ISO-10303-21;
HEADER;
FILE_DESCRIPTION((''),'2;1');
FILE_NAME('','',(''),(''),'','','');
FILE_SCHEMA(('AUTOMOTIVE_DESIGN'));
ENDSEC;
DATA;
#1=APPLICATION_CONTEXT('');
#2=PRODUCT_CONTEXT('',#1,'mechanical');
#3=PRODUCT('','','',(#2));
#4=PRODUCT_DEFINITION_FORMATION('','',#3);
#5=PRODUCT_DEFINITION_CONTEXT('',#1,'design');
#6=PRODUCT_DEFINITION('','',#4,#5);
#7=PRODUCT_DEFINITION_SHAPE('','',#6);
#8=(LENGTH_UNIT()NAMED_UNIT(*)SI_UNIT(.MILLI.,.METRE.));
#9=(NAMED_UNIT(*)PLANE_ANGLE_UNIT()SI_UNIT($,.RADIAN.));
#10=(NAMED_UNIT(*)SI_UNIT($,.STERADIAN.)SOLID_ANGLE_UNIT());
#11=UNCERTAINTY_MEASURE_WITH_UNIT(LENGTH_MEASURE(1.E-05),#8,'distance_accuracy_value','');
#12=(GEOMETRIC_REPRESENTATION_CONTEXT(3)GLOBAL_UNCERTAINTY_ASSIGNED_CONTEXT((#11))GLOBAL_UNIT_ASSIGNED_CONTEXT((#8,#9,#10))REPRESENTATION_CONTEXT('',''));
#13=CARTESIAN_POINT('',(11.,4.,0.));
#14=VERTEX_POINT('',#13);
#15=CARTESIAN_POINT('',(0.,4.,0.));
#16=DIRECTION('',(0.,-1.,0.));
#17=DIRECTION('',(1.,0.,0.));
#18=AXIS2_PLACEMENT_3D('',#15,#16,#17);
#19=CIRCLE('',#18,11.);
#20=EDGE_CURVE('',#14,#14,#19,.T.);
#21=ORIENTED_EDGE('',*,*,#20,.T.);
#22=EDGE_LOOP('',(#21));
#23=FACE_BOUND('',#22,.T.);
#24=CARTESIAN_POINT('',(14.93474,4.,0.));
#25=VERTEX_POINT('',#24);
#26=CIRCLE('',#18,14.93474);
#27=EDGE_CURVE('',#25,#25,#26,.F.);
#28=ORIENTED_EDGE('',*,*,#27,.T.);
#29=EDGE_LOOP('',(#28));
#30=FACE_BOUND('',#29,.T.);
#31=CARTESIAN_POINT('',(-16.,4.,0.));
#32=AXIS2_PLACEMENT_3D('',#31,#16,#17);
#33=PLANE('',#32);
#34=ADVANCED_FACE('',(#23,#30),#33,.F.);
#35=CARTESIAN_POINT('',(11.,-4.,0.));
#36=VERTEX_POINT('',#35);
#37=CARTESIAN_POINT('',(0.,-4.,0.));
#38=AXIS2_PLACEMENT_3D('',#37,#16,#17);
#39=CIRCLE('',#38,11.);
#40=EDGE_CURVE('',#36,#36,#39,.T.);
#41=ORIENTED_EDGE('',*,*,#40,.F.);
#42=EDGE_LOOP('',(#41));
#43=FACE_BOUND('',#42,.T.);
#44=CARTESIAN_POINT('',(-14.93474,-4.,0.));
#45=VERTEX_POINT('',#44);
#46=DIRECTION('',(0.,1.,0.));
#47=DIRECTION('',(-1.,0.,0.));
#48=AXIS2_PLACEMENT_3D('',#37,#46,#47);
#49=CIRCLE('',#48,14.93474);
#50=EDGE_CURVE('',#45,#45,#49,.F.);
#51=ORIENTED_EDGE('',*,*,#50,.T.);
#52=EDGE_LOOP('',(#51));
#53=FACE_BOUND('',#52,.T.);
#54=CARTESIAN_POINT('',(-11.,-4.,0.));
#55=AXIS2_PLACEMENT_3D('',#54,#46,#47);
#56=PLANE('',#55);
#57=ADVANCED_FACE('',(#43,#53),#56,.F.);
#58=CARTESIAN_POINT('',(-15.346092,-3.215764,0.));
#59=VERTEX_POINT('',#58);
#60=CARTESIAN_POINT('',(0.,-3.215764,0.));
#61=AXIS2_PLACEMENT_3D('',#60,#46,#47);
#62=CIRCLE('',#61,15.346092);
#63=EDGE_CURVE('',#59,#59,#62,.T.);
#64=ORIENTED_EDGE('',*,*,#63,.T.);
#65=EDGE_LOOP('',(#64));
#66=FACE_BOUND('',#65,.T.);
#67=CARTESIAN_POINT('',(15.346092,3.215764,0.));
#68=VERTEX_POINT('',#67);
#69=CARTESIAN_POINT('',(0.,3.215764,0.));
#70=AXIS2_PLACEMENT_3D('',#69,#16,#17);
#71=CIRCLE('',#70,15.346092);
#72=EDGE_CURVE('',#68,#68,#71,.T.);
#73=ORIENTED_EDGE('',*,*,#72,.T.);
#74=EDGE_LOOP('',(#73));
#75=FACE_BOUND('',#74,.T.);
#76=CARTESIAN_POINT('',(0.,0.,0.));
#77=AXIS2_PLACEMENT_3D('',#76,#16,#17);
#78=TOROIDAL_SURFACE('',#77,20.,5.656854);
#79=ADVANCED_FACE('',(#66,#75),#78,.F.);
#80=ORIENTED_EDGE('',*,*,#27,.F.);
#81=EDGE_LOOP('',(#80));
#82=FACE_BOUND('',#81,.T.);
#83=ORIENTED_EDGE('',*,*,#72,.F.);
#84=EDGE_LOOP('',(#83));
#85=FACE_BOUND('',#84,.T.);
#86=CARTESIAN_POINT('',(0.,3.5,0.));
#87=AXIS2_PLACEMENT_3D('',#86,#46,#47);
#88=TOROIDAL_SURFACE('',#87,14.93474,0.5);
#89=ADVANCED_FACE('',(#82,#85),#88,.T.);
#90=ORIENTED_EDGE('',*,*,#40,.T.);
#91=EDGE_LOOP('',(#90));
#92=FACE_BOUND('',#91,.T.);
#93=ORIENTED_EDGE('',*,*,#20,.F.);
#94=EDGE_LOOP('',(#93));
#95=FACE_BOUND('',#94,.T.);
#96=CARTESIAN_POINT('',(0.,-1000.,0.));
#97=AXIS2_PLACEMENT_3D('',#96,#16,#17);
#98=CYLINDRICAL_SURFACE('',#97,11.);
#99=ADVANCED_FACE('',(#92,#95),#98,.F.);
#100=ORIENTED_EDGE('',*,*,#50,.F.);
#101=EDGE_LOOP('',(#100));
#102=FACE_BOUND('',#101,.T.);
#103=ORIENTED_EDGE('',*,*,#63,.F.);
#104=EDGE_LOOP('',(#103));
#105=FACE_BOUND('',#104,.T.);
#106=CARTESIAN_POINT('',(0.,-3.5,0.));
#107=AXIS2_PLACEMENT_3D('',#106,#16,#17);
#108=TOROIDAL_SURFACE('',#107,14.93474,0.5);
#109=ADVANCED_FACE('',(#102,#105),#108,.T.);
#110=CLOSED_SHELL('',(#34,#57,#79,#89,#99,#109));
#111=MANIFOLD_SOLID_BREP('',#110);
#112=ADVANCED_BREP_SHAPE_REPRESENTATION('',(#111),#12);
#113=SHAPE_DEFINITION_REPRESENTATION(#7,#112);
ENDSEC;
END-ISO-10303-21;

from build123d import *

# Parameters (mm, degrees)
FILLET1_R = 0.5


with BuildPart() as part:
    # Sketch1 → Revolve1 (revolve)
    with BuildSketch(Plane.XY, mode=Mode.PRIVATE) as revolve1_sk:
        with BuildLine():
            Line((-16, 4), (-11, 4))
            Line((-11, 4), (-11, -4))
            Line((-11, -4), (-16, -4))
            ThreePointArc((-16, -4), (-14.343145751, 0), (-16, 4))
        make_face()
    revolve(revolve1_sk.sketch.rotate(Axis((0, -1000, 0), (0, 1, 0)), 180), axis=Axis((0, -1000, 0), (0, 1, 0)))

    # Fillet1
    fillet1_edges = [part.edges().sort_by_distance(p)[0] for p in [
        (-16, -4, 0),
        (-16, 4, 0),
    ]]
    fillet(fillet1_edges, radius=FILLET1_R)


solid = part.part
